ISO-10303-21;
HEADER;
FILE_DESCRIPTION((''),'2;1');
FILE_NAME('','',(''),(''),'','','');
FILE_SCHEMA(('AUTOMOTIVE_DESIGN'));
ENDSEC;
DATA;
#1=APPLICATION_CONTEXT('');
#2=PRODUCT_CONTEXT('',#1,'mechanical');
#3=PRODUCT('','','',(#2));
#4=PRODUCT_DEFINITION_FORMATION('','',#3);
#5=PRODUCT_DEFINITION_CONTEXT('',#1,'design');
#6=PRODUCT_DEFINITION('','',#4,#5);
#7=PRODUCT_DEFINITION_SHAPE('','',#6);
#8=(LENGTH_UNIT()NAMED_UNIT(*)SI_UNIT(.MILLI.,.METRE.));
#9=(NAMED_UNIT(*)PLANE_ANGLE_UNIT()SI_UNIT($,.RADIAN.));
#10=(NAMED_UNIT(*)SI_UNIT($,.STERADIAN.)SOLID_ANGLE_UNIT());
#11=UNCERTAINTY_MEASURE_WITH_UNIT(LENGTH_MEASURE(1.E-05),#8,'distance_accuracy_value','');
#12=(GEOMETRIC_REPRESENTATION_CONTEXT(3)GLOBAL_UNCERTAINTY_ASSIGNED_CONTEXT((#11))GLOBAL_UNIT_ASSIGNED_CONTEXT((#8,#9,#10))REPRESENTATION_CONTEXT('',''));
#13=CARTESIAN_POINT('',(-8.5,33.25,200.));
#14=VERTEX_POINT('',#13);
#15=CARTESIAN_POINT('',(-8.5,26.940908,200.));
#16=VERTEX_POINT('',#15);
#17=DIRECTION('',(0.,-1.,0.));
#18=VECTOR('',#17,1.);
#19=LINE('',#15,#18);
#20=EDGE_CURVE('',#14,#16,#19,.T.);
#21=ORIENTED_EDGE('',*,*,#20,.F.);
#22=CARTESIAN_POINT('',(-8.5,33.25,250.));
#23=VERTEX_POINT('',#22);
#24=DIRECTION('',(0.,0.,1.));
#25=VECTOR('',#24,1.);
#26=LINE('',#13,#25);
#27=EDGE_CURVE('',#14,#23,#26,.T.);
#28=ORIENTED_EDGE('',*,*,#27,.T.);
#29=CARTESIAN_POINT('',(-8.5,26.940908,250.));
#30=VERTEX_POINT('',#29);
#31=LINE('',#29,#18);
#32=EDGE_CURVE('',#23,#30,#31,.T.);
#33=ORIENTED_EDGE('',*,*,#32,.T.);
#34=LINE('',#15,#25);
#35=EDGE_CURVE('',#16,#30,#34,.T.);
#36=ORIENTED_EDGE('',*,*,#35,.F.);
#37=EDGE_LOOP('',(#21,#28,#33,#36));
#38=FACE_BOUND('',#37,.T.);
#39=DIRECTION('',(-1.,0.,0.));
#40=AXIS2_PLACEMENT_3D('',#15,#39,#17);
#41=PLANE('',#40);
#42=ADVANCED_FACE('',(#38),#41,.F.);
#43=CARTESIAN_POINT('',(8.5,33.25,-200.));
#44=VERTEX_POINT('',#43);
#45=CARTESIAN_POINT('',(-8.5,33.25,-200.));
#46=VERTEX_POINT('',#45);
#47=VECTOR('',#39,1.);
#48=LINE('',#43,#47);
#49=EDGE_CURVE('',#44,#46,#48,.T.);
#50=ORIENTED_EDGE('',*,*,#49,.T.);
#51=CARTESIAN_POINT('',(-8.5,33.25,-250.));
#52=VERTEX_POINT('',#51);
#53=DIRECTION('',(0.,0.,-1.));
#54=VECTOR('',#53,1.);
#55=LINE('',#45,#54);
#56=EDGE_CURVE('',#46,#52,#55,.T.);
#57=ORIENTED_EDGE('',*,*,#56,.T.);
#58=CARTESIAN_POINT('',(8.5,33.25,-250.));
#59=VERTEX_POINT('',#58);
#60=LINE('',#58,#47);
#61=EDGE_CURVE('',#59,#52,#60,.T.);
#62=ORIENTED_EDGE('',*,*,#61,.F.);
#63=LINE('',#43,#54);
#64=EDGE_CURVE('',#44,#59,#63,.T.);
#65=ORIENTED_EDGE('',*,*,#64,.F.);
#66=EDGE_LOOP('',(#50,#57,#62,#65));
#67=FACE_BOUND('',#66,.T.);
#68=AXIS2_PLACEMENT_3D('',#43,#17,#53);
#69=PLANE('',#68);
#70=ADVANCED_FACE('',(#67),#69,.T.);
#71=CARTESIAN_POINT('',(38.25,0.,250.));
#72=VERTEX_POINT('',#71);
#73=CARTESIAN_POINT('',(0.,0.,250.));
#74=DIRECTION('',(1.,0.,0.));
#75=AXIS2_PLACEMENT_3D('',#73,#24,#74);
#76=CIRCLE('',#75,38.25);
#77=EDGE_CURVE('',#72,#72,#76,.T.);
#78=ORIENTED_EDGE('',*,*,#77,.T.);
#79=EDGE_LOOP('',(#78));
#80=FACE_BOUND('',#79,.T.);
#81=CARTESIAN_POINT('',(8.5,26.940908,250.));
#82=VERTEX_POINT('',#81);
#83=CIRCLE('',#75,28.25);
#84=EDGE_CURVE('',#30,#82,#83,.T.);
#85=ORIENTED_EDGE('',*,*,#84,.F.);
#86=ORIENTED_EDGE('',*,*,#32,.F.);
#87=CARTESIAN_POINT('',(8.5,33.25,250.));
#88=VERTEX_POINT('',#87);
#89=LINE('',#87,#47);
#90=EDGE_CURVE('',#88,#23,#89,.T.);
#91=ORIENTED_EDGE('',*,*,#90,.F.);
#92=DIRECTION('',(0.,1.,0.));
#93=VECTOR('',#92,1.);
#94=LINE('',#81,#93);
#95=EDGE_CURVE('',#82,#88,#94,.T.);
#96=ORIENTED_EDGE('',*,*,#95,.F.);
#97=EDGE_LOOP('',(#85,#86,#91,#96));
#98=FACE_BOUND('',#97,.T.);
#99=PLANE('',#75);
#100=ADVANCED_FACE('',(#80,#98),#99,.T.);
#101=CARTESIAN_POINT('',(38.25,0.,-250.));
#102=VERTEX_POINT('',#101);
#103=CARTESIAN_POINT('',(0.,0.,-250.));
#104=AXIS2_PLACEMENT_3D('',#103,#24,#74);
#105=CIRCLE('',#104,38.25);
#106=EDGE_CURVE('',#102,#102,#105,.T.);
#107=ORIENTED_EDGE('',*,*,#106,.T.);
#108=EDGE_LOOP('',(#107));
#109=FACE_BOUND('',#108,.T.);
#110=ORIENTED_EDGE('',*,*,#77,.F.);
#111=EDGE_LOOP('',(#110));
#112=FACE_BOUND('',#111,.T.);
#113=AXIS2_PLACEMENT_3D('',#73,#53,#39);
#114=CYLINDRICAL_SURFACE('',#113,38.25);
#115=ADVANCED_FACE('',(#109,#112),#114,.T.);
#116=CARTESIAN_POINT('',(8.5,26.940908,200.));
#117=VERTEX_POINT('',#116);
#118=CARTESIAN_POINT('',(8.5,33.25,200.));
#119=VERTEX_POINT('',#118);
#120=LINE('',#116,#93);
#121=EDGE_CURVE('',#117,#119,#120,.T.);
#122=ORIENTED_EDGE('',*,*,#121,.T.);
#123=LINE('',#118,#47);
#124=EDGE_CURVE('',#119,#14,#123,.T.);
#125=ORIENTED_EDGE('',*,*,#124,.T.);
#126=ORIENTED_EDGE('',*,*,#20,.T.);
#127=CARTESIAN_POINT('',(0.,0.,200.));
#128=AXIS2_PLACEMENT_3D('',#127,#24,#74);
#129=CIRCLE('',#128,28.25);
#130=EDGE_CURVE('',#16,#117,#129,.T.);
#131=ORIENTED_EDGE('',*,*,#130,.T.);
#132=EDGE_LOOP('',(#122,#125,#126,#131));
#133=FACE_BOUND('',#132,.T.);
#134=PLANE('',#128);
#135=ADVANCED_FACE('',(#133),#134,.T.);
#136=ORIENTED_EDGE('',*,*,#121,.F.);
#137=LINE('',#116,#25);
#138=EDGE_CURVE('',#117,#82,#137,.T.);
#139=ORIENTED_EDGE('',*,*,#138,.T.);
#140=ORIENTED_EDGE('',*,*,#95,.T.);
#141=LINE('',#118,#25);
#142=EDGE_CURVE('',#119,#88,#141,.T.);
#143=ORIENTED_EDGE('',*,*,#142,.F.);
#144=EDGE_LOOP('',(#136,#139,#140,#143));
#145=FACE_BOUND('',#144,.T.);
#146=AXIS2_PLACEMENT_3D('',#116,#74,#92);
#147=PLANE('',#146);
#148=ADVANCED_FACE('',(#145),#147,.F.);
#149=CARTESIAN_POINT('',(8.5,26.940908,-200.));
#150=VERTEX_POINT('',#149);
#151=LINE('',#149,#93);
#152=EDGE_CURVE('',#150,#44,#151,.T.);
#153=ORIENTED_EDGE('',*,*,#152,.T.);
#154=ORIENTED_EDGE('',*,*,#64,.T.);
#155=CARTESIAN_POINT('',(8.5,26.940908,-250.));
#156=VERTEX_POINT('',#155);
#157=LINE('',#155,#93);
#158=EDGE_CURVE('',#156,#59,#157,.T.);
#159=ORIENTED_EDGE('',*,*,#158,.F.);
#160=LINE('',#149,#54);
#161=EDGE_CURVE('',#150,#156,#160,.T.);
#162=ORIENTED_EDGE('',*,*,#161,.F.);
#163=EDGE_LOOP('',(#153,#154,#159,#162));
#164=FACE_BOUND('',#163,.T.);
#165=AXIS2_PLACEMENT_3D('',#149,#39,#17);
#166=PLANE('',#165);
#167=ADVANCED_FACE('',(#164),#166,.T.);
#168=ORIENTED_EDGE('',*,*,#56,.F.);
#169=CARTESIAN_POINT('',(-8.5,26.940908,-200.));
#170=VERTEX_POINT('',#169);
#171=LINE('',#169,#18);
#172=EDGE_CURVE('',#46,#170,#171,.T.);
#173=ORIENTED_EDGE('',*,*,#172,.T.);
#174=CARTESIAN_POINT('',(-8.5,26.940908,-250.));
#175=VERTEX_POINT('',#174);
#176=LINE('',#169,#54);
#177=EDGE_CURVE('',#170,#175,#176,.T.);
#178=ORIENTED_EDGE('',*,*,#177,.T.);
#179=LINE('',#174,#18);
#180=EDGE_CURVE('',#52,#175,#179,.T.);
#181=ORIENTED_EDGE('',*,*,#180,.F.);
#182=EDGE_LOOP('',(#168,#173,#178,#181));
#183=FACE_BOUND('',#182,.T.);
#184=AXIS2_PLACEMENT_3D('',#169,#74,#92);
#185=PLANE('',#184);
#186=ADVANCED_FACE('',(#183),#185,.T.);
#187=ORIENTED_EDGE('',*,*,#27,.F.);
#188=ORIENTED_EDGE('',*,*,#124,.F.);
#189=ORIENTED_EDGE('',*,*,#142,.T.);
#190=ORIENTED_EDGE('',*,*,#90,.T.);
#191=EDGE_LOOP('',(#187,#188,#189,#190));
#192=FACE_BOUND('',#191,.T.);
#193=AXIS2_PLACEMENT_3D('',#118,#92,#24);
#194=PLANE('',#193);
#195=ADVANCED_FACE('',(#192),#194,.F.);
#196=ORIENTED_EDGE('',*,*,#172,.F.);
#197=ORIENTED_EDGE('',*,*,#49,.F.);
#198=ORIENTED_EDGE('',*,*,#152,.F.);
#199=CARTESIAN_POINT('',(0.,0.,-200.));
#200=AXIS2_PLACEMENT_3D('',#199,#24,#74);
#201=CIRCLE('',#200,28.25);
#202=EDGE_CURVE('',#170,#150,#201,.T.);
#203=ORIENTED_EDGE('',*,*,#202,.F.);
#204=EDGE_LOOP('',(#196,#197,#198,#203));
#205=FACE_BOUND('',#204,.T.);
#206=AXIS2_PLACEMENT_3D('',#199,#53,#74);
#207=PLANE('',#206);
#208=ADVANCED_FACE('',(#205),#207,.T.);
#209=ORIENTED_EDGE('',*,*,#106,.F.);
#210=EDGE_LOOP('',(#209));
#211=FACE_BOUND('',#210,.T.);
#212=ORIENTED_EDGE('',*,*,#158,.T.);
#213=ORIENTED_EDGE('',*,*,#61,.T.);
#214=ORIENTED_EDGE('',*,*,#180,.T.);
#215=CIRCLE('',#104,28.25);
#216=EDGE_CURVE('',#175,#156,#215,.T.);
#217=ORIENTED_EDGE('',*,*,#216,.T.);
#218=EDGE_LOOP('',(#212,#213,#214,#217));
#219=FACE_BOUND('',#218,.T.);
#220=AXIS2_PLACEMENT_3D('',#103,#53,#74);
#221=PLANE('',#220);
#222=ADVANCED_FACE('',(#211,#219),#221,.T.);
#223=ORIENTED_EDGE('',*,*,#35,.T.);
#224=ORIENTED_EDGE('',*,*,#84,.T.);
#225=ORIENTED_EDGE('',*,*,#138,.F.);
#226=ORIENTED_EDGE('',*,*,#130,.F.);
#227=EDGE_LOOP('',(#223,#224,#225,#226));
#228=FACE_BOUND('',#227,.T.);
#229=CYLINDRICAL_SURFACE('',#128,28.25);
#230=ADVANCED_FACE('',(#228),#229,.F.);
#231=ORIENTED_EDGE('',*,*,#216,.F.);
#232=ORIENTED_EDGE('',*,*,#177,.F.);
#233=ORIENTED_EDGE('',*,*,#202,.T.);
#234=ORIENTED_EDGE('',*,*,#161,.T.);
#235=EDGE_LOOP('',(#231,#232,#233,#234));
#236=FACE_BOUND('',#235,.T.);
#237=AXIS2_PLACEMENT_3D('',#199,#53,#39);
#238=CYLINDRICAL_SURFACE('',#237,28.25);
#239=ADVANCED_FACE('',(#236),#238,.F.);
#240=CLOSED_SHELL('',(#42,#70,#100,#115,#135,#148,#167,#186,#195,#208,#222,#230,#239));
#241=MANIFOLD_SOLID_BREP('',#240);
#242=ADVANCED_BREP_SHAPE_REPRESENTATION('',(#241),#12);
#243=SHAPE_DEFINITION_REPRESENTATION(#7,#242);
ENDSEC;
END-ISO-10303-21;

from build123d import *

# Parameters (mm, degrees)
SKETCH1_R           = 38.25
BOSS_EXTRUDE1_DEPTH = 250
CUT_EXTRUDE2_DEPTH  = 50


with BuildPart() as part:
    # Sketch1 → Boss-Extrude1 (new body)
    with BuildSketch(Plane.XY):
        Circle(SKETCH1_R)
    boss_extrude1 = extrude(amount=BOSS_EXTRUDE1_DEPTH)

    # Sketch3 → Cut-Extrude2 (cut)
    with BuildSketch(Plane.XY.offset(250)):
        with BuildLine():
            Line((-8.5, 26.940907557), (-8.5, 33.25))
            Line((-8.5, 33.25), (8.5, 33.25))
            Line((8.5, 33.25), (8.5, 26.940907557))
            ThreePointArc((8.5, 26.940907557), (0, -28.25), (-8.5, 26.940907557))
        make_face()
    cut_extrude2 = extrude(amount=-CUT_EXTRUDE2_DEPTH, mode=Mode.SUBTRACT)

    # Mirror1: Boss-Extrude1, Cut-Extrude2 across plane
    add(boss_extrude1.mirror(Plane.XY))
    add(cut_extrude2.mirror(Plane.XY), mode=Mode.SUBTRACT)


solid = part.part
